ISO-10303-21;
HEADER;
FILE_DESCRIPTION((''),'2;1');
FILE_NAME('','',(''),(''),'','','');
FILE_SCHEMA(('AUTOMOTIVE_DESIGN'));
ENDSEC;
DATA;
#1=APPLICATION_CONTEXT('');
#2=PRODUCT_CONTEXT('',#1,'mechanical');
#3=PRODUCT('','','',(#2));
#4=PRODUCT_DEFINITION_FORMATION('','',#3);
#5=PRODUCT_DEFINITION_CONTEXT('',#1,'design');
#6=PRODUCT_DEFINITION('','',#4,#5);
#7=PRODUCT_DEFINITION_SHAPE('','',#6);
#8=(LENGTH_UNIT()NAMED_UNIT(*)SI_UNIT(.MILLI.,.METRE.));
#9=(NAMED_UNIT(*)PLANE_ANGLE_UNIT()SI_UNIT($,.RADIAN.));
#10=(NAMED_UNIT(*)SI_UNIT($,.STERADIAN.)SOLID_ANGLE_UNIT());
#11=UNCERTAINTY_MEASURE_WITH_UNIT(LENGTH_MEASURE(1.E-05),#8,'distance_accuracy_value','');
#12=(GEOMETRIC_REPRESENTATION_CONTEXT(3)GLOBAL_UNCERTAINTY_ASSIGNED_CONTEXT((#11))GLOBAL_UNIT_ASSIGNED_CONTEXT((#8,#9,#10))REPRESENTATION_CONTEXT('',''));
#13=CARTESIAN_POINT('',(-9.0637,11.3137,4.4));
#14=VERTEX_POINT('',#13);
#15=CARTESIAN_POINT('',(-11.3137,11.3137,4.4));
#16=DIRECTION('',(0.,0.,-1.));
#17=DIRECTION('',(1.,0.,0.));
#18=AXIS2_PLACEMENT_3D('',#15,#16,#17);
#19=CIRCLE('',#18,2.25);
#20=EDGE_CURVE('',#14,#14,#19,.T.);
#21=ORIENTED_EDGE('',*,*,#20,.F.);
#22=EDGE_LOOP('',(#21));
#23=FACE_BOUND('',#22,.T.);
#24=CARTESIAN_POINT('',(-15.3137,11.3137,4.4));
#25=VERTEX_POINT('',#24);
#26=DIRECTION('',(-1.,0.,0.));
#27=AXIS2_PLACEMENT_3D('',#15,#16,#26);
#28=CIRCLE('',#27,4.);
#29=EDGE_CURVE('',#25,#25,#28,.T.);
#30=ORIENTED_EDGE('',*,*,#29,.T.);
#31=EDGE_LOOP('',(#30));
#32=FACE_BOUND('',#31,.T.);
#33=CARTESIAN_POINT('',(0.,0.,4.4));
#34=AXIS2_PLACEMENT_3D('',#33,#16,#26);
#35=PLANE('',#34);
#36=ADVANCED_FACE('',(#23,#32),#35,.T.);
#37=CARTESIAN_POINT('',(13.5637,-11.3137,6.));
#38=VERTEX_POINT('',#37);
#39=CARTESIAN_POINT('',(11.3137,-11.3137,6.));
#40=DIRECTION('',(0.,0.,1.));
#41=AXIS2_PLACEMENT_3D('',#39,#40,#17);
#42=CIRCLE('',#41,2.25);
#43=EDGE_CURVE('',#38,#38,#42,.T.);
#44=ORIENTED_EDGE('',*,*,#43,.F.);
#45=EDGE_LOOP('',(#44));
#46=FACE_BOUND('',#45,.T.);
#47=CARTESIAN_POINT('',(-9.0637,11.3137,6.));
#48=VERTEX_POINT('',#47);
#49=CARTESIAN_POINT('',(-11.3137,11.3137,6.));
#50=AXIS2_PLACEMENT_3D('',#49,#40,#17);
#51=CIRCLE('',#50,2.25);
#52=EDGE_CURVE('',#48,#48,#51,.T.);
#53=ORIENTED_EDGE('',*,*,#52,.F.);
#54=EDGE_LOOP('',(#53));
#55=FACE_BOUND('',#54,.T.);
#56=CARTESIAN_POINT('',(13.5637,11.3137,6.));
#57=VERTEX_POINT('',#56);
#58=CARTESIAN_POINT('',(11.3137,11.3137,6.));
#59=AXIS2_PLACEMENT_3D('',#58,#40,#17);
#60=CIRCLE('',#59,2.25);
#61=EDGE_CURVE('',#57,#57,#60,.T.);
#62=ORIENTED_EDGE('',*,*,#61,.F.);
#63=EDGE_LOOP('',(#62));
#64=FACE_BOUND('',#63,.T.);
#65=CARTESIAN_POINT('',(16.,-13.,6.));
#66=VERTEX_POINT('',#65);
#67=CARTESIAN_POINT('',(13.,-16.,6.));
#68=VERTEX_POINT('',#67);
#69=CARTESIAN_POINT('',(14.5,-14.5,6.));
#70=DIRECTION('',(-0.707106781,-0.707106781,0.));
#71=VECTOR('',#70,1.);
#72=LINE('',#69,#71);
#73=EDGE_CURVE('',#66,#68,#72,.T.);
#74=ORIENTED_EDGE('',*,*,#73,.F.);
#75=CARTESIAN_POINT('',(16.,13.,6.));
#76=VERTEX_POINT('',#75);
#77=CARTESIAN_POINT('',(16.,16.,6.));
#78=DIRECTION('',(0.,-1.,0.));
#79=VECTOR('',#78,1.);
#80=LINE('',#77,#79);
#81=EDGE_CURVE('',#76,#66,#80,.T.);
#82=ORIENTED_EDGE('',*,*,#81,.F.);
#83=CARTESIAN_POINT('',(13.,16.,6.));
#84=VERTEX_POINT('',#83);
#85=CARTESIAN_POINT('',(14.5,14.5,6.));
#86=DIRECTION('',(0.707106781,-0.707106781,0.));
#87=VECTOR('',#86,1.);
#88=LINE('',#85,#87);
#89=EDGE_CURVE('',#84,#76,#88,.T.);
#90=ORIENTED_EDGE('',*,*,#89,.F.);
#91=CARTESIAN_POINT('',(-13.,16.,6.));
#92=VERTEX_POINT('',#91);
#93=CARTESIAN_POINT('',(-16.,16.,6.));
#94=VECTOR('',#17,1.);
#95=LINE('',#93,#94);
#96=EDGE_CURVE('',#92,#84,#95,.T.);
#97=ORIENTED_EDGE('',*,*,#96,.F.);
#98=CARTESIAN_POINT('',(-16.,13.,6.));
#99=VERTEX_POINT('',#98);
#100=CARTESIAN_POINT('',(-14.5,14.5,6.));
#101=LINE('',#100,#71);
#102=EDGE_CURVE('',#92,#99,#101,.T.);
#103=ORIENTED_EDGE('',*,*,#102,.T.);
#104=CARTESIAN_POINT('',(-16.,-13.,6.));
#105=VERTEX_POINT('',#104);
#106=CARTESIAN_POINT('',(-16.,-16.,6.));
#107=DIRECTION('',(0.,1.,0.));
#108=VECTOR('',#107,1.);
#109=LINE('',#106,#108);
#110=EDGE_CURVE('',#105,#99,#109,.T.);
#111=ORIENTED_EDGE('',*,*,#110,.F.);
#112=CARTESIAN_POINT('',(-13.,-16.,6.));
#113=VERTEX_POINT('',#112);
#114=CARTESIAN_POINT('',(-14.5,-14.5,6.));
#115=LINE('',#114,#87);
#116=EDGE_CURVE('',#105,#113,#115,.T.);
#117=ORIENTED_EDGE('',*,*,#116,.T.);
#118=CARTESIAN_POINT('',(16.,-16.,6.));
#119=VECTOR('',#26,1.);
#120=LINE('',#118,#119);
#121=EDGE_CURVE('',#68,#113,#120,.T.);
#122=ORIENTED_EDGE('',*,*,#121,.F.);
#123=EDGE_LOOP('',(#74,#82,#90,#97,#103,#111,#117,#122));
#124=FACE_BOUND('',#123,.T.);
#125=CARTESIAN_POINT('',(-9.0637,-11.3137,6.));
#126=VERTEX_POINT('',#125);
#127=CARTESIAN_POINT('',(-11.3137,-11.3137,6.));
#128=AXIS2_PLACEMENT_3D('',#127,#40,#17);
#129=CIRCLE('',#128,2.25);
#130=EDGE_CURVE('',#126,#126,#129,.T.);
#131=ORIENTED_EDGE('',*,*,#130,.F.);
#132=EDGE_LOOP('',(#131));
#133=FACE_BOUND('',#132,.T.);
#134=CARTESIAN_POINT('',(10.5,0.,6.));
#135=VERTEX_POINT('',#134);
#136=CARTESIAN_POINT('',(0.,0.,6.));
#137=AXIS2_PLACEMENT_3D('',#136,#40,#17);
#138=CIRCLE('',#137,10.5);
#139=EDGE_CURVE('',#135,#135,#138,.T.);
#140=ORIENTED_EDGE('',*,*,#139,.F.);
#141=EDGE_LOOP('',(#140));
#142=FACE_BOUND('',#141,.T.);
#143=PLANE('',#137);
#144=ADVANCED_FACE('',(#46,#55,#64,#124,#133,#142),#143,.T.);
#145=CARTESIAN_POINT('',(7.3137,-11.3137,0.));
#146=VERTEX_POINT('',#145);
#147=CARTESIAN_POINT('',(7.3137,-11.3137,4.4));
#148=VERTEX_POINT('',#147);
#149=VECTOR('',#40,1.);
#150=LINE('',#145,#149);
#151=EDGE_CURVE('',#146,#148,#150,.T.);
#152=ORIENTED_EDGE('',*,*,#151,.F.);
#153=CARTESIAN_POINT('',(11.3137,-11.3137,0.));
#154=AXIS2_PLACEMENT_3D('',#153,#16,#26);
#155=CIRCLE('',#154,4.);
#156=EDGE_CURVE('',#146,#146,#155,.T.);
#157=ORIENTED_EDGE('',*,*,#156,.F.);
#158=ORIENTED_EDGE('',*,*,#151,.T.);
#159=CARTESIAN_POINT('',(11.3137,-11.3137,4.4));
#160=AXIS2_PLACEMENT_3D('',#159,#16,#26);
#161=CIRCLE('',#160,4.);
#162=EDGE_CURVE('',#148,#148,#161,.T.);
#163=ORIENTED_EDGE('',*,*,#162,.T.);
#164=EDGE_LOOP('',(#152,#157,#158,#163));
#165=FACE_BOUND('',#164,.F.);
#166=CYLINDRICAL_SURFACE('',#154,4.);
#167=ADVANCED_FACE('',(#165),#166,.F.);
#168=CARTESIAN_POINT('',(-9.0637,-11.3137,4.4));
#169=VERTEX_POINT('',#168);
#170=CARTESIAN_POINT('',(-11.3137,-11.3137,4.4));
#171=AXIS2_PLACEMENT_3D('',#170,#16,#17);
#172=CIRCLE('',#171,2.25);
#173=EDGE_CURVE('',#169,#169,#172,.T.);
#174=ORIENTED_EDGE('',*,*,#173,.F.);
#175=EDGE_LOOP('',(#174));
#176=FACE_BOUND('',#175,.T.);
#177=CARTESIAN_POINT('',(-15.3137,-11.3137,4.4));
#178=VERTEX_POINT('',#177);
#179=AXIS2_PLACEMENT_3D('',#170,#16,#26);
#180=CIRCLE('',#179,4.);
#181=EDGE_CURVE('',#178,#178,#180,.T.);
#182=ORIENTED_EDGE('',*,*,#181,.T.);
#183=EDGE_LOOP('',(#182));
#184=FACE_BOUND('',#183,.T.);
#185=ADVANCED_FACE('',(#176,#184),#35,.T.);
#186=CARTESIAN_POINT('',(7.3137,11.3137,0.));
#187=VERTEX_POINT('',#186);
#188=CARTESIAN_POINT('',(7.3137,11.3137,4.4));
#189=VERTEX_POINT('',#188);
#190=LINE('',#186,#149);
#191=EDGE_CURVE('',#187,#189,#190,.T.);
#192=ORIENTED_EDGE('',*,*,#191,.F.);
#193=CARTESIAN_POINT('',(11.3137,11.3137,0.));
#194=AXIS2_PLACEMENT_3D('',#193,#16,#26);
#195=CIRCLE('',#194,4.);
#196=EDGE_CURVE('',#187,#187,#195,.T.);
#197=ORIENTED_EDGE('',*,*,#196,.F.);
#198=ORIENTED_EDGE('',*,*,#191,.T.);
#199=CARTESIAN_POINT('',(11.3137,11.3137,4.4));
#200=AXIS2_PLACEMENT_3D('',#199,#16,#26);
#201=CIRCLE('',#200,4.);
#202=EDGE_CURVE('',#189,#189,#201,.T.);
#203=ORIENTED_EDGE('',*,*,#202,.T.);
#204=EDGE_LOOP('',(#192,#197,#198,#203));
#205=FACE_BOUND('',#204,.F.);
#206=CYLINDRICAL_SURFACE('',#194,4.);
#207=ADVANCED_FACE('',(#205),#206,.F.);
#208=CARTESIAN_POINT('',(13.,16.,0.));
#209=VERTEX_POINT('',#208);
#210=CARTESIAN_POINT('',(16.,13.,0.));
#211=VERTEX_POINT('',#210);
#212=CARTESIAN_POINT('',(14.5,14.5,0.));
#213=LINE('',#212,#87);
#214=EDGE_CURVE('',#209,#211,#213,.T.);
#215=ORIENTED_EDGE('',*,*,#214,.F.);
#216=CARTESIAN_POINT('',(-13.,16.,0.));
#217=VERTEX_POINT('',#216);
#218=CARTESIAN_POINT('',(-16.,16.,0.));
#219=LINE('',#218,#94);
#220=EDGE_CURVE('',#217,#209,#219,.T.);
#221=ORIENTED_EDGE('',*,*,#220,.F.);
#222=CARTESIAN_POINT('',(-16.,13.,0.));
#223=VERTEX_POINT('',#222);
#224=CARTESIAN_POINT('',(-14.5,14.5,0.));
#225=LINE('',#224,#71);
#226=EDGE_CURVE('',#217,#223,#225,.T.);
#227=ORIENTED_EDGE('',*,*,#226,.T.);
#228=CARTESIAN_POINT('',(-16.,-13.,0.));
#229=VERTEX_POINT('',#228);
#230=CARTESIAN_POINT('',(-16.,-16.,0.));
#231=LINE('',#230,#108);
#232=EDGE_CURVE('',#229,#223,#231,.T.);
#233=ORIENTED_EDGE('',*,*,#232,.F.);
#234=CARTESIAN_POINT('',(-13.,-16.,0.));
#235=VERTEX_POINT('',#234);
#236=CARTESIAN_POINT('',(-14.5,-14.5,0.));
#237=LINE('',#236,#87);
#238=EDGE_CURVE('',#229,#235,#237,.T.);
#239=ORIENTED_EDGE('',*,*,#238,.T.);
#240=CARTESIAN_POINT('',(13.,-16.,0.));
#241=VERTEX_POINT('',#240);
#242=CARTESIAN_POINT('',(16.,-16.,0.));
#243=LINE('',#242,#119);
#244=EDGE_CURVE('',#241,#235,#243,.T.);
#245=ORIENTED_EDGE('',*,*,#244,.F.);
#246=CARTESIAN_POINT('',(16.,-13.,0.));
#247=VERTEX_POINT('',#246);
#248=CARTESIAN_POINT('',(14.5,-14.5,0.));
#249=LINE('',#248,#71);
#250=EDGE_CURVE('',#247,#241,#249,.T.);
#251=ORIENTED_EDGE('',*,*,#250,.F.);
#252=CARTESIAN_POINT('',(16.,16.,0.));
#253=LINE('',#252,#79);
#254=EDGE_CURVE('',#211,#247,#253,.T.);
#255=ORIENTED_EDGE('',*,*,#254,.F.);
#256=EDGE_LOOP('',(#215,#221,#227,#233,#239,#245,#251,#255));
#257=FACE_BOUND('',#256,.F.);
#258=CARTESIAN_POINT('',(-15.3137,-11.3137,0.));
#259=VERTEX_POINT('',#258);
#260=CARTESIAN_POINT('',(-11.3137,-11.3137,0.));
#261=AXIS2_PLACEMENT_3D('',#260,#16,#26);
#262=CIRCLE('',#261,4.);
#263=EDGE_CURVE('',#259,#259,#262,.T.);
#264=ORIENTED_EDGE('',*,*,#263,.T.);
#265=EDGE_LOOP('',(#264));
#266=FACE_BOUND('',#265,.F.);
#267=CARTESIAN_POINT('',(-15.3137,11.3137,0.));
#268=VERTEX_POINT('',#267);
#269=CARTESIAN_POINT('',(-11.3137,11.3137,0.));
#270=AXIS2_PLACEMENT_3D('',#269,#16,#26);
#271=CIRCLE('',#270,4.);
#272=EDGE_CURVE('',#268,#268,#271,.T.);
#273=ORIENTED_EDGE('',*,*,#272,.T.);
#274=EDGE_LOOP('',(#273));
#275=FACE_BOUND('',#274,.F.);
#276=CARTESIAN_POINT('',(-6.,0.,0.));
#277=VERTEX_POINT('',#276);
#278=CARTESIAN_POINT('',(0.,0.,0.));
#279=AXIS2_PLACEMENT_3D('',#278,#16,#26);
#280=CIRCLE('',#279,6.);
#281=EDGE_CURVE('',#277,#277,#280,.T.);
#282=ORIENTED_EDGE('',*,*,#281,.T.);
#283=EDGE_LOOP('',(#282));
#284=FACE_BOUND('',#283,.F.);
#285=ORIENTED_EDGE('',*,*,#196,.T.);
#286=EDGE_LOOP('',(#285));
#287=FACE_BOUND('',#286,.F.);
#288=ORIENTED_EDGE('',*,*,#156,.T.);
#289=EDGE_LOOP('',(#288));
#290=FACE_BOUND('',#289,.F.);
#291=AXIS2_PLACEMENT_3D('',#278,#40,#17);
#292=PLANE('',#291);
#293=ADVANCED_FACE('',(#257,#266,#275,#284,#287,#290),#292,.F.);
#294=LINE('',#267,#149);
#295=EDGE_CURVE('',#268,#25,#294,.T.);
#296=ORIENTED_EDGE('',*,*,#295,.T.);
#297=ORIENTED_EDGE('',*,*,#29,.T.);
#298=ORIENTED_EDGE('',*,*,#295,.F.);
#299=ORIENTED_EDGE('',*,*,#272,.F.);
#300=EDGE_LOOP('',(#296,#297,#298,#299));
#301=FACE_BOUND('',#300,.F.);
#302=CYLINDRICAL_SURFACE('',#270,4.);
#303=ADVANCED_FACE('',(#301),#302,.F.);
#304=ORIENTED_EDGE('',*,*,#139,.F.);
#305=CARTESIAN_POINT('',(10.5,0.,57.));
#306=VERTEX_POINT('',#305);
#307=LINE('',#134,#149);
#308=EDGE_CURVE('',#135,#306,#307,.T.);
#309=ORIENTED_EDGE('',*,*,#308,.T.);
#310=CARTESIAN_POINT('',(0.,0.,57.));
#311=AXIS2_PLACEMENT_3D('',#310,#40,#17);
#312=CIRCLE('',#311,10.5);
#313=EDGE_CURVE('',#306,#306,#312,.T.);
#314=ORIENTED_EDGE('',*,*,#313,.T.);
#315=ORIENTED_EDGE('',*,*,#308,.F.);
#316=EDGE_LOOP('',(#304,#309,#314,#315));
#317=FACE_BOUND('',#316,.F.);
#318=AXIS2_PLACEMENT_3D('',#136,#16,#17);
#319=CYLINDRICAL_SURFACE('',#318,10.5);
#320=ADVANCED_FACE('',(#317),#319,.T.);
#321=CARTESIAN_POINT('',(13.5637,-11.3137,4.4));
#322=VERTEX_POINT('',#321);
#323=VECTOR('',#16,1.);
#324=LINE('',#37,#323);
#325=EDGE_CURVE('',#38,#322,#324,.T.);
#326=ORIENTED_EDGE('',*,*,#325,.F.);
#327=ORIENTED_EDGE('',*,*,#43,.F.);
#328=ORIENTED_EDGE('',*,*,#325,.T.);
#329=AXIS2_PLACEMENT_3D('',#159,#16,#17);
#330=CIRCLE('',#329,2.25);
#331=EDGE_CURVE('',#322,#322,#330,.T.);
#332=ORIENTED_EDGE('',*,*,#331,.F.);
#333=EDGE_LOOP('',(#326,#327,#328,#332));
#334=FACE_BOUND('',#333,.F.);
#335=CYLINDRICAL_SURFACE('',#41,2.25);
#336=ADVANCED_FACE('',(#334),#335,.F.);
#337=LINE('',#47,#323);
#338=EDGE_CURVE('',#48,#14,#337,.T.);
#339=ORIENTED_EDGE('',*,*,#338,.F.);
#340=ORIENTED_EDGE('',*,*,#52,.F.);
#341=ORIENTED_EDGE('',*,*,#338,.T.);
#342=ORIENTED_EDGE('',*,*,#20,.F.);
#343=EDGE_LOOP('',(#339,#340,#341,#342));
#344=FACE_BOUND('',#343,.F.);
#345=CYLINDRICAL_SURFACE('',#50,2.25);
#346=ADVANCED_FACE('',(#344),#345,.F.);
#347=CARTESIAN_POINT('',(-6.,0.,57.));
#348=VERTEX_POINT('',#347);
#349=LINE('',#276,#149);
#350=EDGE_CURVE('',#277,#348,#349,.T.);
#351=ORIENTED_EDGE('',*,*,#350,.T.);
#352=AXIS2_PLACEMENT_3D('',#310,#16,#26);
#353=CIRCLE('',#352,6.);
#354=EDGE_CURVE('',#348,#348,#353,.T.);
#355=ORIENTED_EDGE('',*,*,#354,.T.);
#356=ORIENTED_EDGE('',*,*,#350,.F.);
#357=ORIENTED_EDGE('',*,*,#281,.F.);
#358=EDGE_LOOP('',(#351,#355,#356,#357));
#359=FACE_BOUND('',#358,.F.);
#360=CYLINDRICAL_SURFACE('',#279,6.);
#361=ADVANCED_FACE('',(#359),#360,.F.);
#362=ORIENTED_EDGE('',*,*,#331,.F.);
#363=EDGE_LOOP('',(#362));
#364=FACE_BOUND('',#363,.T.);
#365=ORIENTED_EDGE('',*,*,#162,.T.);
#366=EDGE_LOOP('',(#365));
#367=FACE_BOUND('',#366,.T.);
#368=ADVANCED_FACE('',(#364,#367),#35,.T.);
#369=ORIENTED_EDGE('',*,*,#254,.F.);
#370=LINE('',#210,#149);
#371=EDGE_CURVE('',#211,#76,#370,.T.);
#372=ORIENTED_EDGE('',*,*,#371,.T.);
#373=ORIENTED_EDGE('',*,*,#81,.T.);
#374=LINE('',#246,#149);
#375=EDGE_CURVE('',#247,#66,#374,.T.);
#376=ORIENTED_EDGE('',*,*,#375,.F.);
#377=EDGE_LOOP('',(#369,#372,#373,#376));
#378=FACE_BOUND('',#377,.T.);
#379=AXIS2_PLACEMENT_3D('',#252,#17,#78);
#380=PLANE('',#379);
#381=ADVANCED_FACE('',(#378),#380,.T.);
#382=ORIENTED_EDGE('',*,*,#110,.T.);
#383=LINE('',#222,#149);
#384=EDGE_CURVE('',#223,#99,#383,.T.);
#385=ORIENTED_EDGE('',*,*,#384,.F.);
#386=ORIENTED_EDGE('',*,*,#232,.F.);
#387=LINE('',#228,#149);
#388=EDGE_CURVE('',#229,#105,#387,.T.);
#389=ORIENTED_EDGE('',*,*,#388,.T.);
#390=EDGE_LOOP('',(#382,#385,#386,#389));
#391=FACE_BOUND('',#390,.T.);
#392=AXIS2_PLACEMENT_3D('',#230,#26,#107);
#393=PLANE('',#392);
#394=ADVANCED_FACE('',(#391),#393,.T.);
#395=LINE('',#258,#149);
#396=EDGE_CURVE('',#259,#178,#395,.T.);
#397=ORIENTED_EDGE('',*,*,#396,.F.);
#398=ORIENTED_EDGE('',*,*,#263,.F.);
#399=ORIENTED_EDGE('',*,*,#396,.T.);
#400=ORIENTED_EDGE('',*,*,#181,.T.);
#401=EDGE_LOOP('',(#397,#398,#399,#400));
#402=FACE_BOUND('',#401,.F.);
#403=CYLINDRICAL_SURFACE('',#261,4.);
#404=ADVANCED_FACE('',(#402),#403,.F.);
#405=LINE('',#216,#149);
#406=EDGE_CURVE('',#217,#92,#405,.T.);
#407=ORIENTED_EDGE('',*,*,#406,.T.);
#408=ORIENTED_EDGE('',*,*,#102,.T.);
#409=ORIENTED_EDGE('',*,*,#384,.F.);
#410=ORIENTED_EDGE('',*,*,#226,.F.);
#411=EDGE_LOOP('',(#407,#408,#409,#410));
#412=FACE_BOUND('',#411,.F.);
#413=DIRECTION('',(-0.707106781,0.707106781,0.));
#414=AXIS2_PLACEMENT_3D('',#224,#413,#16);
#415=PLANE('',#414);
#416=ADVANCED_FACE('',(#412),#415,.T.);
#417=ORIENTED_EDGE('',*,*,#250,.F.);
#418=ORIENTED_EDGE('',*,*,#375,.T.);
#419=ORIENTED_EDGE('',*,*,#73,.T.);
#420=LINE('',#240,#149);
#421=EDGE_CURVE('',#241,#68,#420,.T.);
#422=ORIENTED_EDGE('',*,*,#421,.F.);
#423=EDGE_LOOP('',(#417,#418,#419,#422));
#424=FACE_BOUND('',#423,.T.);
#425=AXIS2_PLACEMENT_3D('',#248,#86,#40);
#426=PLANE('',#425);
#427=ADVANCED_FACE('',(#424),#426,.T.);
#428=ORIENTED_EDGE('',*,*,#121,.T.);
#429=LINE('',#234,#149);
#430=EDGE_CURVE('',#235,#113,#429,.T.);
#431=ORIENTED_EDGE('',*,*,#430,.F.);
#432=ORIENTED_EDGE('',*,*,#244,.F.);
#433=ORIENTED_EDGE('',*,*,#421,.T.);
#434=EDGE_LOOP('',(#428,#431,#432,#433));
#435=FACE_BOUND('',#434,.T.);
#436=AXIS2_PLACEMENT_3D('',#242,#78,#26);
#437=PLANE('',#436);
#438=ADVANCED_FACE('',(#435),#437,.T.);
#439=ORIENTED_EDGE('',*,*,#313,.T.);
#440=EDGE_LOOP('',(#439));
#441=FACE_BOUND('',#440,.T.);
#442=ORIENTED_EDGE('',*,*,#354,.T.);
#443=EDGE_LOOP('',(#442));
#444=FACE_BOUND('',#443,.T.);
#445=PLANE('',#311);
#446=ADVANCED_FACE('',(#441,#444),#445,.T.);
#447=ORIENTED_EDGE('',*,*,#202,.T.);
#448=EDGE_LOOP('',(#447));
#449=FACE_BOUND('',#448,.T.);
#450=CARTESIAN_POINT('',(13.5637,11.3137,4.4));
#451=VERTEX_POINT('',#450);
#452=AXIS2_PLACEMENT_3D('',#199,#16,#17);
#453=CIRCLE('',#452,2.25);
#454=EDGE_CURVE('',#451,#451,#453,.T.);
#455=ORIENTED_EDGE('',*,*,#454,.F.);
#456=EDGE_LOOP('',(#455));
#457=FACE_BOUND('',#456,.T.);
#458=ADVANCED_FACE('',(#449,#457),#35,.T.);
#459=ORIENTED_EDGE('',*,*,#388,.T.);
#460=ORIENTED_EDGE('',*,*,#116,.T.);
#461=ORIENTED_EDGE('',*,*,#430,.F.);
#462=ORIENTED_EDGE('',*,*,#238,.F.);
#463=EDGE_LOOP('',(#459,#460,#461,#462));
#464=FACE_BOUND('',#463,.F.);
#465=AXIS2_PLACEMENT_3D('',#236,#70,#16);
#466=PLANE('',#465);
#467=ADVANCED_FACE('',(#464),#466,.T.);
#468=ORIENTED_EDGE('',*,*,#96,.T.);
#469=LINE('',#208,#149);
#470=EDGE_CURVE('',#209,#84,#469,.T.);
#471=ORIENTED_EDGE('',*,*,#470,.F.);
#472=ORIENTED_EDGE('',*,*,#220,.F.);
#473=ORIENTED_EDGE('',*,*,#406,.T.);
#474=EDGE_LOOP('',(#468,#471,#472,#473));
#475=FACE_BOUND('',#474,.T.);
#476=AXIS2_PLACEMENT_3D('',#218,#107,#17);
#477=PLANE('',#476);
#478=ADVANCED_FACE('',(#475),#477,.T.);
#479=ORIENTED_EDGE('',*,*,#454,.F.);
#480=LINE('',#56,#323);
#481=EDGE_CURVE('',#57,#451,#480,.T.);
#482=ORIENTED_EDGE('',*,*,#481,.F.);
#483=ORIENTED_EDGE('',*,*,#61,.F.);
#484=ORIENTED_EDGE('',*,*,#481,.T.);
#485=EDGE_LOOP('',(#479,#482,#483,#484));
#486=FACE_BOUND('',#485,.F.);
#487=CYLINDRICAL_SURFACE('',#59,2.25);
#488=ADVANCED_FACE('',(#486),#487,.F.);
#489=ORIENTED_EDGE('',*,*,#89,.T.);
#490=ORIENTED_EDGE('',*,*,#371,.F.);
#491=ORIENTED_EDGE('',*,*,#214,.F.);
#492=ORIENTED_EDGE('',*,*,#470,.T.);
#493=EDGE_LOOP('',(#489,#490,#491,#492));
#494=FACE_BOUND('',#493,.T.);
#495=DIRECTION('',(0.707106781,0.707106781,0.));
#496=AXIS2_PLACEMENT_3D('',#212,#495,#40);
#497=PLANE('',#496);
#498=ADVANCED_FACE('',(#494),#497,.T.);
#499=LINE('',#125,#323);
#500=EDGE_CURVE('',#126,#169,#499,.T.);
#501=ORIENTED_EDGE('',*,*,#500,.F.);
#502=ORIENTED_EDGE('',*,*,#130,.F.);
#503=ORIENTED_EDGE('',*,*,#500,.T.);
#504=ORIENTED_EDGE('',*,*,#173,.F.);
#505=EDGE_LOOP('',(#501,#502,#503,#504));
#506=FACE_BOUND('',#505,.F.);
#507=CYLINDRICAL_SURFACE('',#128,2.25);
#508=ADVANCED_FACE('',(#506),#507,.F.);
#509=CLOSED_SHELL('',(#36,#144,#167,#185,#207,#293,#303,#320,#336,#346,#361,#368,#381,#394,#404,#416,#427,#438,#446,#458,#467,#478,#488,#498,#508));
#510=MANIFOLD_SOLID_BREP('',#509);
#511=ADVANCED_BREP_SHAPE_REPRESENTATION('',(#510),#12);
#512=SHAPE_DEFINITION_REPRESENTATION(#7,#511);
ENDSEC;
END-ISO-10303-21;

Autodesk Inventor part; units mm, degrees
ref_plane "YZ Plane" through (0, 0, 0) normal (1, 0, 0) x (0, 1, 0)
ref_plane "XZ Plane" through (0, 0, 0) normal (0, 1, 0) x (-1, 0, 0)
ref_plane "XY Plane" through (0, 0, 0) normal (0, 0, 1) x (1, 0, 0)
sketch "Sketch1" plane through (0, 0, 0) normal (0, 0, 1) x (1, 0, 0)
  line L0 (-16, 16) -> (16, 16)
  line L1 (16, 16) -> (16, -16)
  line L2 (16, -16) -> (-16, -16)
  line L3 (-16, -16) -> (-16, 16)
  point P0 (0, 0)
  dimension "d0" = 32
  dimension "d1" = 32
  dimension "d2" = 16
  dimension "d3" = 16
extrude "Firkant" add sketch "Sketch1" along normal blind 6
sketch "Sketch2" plane through (0, 0, 6) normal (0, 0, 1) x (1, 0, 0)
  circle A0 centre (0, 0) radius 10.5
  dimension "d6" = 21
extrude "Rør" add sketch "Sketch2" along normal blind 51
sketch "Sketch3" plane through (0, 0, 0) normal (0, 0, -1) x (-1, 0, 0)
  circle A0 centre (0, 0) radius 6
  dimension "d9" = 12
extrude "Hul" cut sketch "Sketch3" against normal up to surface (57 mm away)
sketch "Sketch4" plane through (0, 0, 6) normal (0, 0, 1) x (1, 0, 0)
  circle A0 centre (0, 0) radius 10.5 construction
  circle A1 centre (0, 0) radius 16 construction
  line L0 (-16, 16) -> (16, -16) construction
  line L1 (16, 16) -> (-16, -16) construction
  circle A2 centre (11.3137, 11.3137) radius 2.25
  circle A3 centre (-11.3137, 11.3137) radius 2.25
  circle A4 centre (-11.3137, -11.3137) radius 2.25
  circle A5 centre (11.3137, -11.3137) radius 2.25
  dimension "d12" = 32
  dimension "d13" = 4.5
  dimension "d14" = 4.5
  dimension "d15" = 4.5
  dimension "d16" = 4.5
extrude "d1 Hullerne (små)" cut sketch "Sketch4" against normal up to surface (6 mm away)
sketch "Sketch5" plane through (0, 0, 0) normal (0, 0, -1) x (-1, 0, 0)
  circle A0 centre (11.3137, -11.3137) radius 2.25 projected
  circle A1 centre (-11.3137, -11.3137) radius 2.25 projected
  circle A2 centre (11.3137, 11.3137) radius 2.25 projected
  circle A3 centre (-11.3137, 11.3137) radius 2.25 projected
  circle A4 centre (-11.3137, 11.3137) radius 4
  circle A5 centre (11.3137, 11.3137) radius 4
  circle A6 centre (11.3137, -11.3137) radius 4
  circle A7 centre (-11.3137, -11.3137) radius 4
  dimension "d19" = 8
  dimension "d20" = 8
  dimension "d21" = 8
  dimension "d22" = 8
extrude "d2 Hullerne (store)" cut sketch "Sketch5" against normal blind 4.4
chamfer "Hjørnerne" distance 3 angle 45 4 edges at (-16, -16, 3) (16, -16, 3) (16, 16, 3) (-16, 16, 3)
equation "\"d1\" = d0"
equation "\"d2\" = 0.5 * d0"
equation "\"d3\" = 0.5 * d1"
equation "\"d14\" = d13"
equation "\"d15\" = d13"
equation "\"d16\" = d13"
equation "\"d20\" = d19"
equation "\"d21\" = d19"
equation "\"d22\" = d19"
properties part number "Z-flange" material "Aluminum 6061"
